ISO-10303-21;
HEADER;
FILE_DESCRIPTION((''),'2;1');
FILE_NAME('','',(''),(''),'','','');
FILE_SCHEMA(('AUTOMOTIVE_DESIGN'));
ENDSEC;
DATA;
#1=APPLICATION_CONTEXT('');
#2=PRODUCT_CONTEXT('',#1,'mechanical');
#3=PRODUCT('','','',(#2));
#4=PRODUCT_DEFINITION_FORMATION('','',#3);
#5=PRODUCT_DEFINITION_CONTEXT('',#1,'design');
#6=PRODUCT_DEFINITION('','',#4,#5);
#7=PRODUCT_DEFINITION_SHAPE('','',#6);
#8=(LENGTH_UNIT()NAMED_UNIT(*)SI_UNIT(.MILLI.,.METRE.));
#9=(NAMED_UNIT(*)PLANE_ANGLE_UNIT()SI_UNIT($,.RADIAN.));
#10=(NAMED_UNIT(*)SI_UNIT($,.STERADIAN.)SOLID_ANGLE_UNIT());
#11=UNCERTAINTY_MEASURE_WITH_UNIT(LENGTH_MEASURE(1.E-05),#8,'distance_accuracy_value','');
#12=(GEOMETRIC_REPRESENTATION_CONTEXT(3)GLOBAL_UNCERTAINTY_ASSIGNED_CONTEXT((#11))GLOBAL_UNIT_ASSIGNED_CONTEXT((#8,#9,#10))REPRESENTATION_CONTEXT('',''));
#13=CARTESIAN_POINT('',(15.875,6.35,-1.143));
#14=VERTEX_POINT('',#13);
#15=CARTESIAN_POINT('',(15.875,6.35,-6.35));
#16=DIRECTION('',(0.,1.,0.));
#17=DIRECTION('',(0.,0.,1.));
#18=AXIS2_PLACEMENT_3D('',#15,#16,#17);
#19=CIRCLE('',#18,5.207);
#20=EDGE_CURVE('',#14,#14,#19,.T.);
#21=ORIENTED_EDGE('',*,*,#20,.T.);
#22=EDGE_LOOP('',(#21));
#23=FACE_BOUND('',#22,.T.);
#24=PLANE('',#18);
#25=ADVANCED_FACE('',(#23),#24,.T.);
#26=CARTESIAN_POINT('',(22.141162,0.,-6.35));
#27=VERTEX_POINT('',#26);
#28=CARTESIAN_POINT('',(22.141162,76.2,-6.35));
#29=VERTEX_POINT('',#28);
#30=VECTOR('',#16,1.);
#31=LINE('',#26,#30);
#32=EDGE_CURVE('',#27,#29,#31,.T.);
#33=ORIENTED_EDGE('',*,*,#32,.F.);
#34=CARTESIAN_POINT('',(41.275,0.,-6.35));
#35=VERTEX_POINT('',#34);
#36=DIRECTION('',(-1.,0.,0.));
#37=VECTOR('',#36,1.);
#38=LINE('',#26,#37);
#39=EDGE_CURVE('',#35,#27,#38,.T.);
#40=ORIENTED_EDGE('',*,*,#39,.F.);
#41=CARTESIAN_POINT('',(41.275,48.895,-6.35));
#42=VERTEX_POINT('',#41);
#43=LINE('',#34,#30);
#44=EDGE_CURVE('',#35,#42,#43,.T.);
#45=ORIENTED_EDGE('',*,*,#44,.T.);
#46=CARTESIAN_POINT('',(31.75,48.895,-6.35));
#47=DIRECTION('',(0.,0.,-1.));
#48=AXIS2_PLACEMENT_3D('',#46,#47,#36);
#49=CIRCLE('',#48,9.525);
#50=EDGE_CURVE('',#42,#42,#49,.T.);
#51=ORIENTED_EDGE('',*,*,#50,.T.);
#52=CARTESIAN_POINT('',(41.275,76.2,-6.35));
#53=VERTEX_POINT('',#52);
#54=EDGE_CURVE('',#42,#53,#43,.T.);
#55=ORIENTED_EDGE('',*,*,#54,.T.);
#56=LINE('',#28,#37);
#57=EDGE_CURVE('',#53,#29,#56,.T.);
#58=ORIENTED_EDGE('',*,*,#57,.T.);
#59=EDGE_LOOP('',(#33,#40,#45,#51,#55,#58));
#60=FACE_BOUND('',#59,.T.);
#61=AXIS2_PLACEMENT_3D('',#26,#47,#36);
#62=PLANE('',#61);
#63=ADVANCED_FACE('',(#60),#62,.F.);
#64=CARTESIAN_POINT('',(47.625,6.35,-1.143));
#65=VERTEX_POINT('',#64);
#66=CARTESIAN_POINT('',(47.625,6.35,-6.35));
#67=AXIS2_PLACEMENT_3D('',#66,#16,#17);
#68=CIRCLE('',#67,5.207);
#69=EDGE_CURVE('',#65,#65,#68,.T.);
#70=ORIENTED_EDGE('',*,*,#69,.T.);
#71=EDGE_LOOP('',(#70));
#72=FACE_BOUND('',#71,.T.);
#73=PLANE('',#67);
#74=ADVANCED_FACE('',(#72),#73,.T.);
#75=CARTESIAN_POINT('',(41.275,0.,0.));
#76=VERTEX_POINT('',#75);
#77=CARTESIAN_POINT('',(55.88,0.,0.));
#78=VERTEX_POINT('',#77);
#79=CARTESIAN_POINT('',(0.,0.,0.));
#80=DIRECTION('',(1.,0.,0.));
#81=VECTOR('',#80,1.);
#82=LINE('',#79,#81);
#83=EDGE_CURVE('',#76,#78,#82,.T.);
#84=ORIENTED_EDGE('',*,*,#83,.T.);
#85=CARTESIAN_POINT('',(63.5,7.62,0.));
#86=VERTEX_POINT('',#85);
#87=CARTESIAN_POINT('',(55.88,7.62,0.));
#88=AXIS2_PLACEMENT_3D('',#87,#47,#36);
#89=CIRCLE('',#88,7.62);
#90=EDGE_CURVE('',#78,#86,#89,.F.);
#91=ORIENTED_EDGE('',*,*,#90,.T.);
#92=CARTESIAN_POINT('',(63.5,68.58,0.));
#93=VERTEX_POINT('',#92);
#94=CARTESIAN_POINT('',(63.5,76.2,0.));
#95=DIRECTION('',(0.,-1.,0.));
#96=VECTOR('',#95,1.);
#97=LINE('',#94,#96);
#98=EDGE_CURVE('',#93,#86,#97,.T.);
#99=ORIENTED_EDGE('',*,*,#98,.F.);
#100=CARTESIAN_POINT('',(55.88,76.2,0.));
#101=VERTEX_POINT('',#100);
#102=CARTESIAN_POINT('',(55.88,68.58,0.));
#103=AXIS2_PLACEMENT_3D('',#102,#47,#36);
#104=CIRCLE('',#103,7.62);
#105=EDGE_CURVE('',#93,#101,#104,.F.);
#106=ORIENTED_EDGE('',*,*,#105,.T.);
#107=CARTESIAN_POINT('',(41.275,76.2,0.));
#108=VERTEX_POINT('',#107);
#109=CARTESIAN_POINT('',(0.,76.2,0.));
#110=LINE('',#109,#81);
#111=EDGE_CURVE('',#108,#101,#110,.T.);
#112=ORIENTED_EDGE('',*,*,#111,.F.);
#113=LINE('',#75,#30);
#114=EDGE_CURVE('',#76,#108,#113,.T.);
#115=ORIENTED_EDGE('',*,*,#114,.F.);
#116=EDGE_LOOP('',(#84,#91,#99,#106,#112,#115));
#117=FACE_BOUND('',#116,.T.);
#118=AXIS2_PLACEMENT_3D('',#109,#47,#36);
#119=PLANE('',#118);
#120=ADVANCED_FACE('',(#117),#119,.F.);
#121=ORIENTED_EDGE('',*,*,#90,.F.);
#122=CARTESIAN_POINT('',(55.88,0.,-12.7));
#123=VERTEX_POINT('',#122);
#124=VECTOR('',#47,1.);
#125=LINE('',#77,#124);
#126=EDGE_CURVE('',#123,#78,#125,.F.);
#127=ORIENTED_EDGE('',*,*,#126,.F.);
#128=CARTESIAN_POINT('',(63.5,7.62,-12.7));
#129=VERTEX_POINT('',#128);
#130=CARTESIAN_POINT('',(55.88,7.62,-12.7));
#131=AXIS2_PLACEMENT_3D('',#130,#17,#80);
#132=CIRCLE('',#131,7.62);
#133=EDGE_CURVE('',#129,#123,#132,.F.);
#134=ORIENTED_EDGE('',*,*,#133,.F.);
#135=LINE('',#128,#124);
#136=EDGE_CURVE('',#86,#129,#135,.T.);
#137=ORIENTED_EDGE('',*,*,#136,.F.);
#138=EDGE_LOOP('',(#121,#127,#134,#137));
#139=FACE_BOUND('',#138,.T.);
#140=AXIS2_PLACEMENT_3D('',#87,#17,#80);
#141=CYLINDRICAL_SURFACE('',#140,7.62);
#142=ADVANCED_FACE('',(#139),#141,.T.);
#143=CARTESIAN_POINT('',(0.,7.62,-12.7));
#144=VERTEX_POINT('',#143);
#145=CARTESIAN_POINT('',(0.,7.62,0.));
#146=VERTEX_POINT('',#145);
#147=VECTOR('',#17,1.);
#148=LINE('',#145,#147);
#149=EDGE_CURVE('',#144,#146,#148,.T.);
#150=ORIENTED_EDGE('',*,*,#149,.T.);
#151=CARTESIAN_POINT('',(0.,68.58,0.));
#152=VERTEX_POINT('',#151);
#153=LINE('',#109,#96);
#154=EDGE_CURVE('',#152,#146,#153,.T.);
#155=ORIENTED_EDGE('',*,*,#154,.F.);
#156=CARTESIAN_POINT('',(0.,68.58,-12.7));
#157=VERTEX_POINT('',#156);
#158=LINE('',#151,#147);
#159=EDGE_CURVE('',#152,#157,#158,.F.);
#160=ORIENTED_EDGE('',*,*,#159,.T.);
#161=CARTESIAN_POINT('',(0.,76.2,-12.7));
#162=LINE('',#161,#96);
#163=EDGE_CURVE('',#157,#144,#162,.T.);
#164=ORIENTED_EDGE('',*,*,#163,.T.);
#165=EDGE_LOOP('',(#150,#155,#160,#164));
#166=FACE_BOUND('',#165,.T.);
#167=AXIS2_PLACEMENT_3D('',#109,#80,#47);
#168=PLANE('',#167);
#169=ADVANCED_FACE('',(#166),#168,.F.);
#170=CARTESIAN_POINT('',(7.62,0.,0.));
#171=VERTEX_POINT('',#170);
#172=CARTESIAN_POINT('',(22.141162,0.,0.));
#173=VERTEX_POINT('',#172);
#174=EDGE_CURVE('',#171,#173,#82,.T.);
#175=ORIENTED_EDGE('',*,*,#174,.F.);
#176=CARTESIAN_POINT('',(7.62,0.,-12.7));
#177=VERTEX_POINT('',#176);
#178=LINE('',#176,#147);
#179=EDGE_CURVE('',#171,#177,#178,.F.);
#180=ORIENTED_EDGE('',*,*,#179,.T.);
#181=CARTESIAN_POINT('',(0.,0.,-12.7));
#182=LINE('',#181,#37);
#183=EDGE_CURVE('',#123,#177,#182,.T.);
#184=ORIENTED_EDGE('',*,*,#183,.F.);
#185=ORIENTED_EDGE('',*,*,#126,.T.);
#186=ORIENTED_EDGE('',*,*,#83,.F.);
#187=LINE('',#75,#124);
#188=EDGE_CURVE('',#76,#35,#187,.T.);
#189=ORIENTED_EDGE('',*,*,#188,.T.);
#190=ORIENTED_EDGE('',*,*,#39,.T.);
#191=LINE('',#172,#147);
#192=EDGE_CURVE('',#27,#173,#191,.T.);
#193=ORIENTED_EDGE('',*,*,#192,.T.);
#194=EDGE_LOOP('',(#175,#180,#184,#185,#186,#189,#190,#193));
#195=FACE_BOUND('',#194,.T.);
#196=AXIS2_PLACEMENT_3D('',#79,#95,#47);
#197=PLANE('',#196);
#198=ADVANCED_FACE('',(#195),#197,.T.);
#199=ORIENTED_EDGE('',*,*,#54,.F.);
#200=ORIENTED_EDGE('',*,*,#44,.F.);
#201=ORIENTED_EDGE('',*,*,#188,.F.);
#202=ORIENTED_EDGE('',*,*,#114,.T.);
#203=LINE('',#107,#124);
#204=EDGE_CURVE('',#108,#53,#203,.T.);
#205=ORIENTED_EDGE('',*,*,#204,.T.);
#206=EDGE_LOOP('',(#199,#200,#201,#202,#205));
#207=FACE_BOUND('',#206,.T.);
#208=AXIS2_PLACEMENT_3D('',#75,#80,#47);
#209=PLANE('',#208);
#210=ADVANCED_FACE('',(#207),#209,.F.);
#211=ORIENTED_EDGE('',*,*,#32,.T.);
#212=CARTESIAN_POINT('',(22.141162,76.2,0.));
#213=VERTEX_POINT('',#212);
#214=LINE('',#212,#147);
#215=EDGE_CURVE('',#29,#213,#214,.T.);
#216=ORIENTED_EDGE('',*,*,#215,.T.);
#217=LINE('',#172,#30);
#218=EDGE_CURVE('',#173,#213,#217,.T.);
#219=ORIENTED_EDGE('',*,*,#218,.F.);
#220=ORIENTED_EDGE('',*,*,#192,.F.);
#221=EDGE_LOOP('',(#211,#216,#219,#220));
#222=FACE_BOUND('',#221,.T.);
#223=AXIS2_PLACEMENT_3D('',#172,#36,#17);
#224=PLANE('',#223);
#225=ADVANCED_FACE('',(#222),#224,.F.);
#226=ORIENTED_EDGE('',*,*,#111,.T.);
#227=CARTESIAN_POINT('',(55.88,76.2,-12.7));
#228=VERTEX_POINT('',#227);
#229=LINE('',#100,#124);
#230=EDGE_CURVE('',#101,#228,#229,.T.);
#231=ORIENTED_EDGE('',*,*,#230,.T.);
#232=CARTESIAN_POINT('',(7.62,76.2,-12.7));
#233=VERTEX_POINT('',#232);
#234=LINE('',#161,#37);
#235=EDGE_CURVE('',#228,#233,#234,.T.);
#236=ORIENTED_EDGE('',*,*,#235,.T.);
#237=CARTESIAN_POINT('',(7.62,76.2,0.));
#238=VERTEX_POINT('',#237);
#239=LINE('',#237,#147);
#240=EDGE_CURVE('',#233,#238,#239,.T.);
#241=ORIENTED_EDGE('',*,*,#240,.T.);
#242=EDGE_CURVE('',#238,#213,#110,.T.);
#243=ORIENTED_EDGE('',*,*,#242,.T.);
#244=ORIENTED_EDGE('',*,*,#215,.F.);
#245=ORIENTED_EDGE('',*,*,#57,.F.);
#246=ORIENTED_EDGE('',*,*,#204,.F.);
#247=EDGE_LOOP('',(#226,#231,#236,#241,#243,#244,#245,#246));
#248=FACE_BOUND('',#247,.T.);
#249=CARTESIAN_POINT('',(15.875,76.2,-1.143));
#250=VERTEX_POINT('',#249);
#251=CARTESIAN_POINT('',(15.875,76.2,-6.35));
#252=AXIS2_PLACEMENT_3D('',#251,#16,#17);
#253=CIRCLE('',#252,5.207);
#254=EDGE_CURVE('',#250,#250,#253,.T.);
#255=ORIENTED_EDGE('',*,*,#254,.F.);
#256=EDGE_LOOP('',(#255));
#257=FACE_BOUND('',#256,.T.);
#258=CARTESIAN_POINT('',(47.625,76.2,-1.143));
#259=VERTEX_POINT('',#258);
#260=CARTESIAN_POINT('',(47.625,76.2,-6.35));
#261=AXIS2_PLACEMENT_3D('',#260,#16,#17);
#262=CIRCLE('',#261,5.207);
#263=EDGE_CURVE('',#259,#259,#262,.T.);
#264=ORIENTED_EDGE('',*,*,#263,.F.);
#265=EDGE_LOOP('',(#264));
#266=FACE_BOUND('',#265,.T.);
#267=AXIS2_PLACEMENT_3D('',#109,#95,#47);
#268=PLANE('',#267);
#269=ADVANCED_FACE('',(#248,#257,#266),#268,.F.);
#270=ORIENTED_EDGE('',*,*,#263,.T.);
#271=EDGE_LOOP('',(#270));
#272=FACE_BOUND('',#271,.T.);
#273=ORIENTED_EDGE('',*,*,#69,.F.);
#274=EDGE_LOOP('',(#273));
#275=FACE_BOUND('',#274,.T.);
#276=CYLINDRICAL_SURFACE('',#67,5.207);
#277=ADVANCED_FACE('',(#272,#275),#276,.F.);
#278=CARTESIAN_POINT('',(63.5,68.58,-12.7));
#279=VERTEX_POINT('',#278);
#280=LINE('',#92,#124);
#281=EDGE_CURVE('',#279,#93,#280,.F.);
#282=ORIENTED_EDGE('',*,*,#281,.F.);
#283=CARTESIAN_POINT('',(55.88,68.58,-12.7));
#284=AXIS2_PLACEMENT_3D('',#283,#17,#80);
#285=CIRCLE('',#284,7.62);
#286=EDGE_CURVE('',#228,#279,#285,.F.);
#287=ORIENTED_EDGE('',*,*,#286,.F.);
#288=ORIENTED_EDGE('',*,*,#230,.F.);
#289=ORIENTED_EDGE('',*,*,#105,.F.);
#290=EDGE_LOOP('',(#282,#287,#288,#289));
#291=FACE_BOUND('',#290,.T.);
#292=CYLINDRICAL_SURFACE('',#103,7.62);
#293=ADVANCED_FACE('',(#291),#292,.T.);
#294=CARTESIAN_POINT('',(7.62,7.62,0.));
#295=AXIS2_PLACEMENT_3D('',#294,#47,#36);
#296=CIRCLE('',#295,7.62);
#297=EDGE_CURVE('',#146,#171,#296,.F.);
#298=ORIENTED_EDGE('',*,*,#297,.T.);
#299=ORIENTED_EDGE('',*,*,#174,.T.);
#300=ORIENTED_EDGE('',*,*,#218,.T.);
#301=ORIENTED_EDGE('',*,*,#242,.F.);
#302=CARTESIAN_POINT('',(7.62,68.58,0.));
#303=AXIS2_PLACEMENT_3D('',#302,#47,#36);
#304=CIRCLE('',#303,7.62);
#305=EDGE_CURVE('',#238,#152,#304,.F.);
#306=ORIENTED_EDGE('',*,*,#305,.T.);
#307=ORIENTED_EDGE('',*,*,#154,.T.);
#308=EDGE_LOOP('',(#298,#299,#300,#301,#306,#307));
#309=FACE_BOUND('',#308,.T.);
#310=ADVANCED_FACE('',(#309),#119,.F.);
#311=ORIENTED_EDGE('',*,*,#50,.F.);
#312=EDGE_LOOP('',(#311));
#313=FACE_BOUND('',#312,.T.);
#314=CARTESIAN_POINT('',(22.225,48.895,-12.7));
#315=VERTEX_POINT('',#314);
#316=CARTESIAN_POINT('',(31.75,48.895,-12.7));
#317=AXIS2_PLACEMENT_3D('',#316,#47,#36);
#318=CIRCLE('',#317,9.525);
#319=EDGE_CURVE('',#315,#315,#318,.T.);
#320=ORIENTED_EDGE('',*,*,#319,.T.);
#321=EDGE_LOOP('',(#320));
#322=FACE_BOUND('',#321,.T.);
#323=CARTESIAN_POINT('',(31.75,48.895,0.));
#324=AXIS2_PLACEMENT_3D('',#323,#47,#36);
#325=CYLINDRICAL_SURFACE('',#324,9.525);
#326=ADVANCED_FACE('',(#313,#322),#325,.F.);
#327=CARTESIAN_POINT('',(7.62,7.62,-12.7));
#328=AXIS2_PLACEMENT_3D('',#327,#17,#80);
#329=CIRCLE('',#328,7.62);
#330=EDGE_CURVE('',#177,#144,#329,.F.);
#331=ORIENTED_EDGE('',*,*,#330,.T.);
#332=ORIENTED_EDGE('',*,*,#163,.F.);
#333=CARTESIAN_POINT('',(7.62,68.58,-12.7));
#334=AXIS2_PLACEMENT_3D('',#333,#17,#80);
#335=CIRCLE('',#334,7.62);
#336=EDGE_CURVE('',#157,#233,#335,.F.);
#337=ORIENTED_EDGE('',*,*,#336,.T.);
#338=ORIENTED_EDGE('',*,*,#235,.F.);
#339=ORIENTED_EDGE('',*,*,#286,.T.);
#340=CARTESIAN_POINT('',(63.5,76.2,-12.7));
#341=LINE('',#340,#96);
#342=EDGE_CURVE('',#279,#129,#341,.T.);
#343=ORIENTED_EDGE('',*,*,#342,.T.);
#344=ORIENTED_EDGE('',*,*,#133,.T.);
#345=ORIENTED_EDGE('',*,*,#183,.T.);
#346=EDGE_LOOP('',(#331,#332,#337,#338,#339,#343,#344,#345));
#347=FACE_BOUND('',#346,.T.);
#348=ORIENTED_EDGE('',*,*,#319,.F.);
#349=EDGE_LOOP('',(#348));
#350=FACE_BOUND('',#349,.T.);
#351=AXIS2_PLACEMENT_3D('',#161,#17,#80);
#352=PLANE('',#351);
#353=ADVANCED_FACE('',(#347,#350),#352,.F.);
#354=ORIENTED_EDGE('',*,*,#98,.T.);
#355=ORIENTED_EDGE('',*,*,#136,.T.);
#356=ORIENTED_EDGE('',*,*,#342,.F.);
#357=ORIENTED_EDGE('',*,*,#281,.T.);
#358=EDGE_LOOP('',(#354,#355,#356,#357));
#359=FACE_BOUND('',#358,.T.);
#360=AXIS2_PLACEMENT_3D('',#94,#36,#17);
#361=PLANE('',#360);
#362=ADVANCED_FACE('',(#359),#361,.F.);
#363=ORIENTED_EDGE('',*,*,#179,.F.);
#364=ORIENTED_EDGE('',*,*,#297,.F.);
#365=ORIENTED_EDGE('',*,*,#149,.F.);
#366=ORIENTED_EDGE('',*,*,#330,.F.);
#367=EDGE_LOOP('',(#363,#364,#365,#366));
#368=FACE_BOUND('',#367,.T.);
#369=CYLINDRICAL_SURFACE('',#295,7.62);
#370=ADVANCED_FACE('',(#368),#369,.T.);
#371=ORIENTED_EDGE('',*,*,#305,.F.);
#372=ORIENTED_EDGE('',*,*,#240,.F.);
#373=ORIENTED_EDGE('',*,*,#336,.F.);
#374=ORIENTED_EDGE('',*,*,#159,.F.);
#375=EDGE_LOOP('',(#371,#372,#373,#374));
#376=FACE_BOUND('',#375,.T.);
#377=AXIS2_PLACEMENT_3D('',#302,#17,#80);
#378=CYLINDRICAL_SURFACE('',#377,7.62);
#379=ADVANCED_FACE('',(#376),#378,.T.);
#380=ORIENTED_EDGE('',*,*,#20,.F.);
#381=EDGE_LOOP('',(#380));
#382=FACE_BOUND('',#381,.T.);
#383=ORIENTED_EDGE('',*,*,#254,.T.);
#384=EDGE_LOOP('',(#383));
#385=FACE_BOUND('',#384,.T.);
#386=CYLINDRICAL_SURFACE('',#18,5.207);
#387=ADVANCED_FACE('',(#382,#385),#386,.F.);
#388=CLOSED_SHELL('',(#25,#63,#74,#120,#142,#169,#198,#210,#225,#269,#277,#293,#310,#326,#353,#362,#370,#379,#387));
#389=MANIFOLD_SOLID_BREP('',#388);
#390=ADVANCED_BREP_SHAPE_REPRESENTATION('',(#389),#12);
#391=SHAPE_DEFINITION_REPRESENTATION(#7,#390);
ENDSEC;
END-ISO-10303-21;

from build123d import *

# Parameters (mm, degrees)
SKETCH4_W           = 63.5
SKETCH4_H           = 12.7
BOSS_EXTRUDE1_DEPTH = 76.2
SKETCH5_R           = 5.207
CUT_EXTRUDE1_DEPTH  = 69.85
SKETCH7_W           = 19.133838299
SKETCH7_H           = 6.35
CUT_EXTRUDE2_DEPTH  = 77.2
SKETCH9_R           = 9.525
CUT_EXTRUDE3_DEPTH  = 13.7
FILLET2_R           = 7.62


with BuildPart() as part:
    # Sketch4 → Boss-Extrude1 (new body)
    with BuildSketch(Plane(origin=(0, 0, 0), x_dir=(1, 0, 0), z_dir=(0, 1, 0))):
        with Locations((31.75, 6.35)):
            Rectangle(SKETCH4_W, SKETCH4_H)
    extrude(amount=BOSS_EXTRUDE1_DEPTH)

    # Sketch5 → Cut-Extrude1 (cut)
    with BuildSketch(Plane(origin=(0, 76.2, 0), x_dir=(1, 0, 0), z_dir=(0, 1, 0))):
        with Locations((47.625, 6.35)):
            Circle(SKETCH5_R)
        with Locations((15.875, 6.35)):
            Circle(SKETCH5_R)
    extrude(amount=-CUT_EXTRUDE1_DEPTH, mode=Mode.SUBTRACT)

    # Sketch7 → Cut-Extrude2 (cut, through all)
    with BuildSketch(Plane(origin=(0, 76.2, 0), x_dir=(1, 0, 0), z_dir=(0, 1, 0))):
        with Locations((31.708080851, 3.175)):
            Rectangle(SKETCH7_W, SKETCH7_H)
    extrude(amount=-CUT_EXTRUDE2_DEPTH, mode=Mode.SUBTRACT)

    # Sketch9 → Cut-Extrude3 (cut, through all)
    with BuildSketch(Plane(origin=(0, 0, -12.7), x_dir=(-1, 0, 0), z_dir=(0, 0, -1))):
        with Locations((-31.75, 48.895)):
            Circle(SKETCH9_R)
    extrude(amount=-CUT_EXTRUDE3_DEPTH, mode=Mode.SUBTRACT)

    # Fillet2
    fillet2_edges = [part.edges().sort_by_distance(p)[0] for p in [
        (63.5, 76.2, -6.35),
        (0, 76.2, -6.35),
        (63.5, 0, -6.35),
        (0, 0, -6.35),
    ]]
    fillet(fillet2_edges, radius=FILLET2_R)


solid = part.part
